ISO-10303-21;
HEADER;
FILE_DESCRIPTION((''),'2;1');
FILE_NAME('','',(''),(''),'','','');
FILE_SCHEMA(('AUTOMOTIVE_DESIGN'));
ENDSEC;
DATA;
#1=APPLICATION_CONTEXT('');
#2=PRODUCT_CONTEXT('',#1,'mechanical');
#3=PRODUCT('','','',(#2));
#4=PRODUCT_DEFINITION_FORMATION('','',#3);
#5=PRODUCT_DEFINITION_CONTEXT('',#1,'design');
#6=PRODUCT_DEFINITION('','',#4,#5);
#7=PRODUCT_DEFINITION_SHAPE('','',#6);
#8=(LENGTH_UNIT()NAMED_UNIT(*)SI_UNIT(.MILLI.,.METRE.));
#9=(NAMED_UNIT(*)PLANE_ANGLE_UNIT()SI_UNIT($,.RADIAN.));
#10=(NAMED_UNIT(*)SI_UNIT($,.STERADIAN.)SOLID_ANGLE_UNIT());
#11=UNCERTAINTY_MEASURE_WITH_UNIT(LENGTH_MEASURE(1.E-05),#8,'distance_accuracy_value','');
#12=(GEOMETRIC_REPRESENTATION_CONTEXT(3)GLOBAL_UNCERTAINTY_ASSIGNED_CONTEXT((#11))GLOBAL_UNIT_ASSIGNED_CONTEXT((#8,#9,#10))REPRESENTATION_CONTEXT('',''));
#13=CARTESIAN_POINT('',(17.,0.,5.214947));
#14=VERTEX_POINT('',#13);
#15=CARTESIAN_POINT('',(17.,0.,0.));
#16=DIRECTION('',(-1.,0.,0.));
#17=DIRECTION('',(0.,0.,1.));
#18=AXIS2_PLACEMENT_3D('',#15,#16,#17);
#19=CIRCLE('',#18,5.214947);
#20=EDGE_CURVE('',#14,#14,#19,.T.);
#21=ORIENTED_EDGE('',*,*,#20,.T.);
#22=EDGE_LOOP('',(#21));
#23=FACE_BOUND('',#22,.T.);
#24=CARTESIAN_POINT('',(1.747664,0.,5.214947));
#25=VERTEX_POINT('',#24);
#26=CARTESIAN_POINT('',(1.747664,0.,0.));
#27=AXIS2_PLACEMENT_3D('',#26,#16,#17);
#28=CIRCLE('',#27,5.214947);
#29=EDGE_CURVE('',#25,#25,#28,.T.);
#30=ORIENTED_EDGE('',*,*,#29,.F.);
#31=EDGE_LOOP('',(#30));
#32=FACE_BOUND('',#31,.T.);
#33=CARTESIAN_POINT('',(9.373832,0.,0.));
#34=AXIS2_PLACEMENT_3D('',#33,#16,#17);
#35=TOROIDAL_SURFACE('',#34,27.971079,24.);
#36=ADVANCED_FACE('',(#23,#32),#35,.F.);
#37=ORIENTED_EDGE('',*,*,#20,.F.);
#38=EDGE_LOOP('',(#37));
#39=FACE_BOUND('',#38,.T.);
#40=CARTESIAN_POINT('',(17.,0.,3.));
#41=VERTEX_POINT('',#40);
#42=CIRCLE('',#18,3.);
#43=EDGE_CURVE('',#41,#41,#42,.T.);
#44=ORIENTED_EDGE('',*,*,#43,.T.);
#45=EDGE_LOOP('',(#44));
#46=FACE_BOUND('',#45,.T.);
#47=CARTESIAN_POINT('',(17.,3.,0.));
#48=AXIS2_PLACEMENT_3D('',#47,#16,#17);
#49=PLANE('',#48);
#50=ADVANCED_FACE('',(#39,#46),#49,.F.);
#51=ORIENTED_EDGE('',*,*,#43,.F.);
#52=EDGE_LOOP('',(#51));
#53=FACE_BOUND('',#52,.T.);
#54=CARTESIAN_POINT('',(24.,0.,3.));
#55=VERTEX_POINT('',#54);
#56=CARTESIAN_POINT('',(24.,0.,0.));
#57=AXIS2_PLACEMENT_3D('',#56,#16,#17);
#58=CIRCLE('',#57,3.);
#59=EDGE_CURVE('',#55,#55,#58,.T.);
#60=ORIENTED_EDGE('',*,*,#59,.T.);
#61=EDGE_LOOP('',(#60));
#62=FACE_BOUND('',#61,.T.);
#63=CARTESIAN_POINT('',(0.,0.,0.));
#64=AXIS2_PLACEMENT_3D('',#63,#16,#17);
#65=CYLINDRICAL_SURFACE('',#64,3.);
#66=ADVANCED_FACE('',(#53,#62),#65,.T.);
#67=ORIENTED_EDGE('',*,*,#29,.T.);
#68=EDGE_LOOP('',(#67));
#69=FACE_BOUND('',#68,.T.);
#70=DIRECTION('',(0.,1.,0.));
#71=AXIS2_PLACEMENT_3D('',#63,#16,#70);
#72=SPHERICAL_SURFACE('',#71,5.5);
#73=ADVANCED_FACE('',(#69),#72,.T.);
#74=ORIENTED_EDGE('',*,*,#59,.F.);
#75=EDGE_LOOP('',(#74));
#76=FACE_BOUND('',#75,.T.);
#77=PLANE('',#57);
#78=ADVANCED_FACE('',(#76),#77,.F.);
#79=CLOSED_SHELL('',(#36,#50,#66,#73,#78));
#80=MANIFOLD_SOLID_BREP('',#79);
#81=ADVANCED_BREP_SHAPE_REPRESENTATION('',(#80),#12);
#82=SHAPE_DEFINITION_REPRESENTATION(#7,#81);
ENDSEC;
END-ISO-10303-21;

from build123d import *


with BuildPart() as part:
    # Sketch1 → Revolve1 (revolve)
    with BuildSketch(Plane.XY):
        with BuildLine():
            Line((0, 0), (24, 0))
            Line((24, 0), (24, 3))
            Line((24, 3), (17, 3))
            Line((17, 3), (17, 5.21494699))
            ThreePointArc((17, 5.21494699), (9.373831776, 3.971079311), (1.747663551, 5.21494699))
            ThreePointArc((1.747663551, 5.21494699), (-3.212308396, 4.464423229), (-5.5, 0))
            Line((-5.5, 0), (0, 0))
        make_face()
    revolve(axis=Axis((0, 0, 0), (1, 0, 0)))


solid = part.part
